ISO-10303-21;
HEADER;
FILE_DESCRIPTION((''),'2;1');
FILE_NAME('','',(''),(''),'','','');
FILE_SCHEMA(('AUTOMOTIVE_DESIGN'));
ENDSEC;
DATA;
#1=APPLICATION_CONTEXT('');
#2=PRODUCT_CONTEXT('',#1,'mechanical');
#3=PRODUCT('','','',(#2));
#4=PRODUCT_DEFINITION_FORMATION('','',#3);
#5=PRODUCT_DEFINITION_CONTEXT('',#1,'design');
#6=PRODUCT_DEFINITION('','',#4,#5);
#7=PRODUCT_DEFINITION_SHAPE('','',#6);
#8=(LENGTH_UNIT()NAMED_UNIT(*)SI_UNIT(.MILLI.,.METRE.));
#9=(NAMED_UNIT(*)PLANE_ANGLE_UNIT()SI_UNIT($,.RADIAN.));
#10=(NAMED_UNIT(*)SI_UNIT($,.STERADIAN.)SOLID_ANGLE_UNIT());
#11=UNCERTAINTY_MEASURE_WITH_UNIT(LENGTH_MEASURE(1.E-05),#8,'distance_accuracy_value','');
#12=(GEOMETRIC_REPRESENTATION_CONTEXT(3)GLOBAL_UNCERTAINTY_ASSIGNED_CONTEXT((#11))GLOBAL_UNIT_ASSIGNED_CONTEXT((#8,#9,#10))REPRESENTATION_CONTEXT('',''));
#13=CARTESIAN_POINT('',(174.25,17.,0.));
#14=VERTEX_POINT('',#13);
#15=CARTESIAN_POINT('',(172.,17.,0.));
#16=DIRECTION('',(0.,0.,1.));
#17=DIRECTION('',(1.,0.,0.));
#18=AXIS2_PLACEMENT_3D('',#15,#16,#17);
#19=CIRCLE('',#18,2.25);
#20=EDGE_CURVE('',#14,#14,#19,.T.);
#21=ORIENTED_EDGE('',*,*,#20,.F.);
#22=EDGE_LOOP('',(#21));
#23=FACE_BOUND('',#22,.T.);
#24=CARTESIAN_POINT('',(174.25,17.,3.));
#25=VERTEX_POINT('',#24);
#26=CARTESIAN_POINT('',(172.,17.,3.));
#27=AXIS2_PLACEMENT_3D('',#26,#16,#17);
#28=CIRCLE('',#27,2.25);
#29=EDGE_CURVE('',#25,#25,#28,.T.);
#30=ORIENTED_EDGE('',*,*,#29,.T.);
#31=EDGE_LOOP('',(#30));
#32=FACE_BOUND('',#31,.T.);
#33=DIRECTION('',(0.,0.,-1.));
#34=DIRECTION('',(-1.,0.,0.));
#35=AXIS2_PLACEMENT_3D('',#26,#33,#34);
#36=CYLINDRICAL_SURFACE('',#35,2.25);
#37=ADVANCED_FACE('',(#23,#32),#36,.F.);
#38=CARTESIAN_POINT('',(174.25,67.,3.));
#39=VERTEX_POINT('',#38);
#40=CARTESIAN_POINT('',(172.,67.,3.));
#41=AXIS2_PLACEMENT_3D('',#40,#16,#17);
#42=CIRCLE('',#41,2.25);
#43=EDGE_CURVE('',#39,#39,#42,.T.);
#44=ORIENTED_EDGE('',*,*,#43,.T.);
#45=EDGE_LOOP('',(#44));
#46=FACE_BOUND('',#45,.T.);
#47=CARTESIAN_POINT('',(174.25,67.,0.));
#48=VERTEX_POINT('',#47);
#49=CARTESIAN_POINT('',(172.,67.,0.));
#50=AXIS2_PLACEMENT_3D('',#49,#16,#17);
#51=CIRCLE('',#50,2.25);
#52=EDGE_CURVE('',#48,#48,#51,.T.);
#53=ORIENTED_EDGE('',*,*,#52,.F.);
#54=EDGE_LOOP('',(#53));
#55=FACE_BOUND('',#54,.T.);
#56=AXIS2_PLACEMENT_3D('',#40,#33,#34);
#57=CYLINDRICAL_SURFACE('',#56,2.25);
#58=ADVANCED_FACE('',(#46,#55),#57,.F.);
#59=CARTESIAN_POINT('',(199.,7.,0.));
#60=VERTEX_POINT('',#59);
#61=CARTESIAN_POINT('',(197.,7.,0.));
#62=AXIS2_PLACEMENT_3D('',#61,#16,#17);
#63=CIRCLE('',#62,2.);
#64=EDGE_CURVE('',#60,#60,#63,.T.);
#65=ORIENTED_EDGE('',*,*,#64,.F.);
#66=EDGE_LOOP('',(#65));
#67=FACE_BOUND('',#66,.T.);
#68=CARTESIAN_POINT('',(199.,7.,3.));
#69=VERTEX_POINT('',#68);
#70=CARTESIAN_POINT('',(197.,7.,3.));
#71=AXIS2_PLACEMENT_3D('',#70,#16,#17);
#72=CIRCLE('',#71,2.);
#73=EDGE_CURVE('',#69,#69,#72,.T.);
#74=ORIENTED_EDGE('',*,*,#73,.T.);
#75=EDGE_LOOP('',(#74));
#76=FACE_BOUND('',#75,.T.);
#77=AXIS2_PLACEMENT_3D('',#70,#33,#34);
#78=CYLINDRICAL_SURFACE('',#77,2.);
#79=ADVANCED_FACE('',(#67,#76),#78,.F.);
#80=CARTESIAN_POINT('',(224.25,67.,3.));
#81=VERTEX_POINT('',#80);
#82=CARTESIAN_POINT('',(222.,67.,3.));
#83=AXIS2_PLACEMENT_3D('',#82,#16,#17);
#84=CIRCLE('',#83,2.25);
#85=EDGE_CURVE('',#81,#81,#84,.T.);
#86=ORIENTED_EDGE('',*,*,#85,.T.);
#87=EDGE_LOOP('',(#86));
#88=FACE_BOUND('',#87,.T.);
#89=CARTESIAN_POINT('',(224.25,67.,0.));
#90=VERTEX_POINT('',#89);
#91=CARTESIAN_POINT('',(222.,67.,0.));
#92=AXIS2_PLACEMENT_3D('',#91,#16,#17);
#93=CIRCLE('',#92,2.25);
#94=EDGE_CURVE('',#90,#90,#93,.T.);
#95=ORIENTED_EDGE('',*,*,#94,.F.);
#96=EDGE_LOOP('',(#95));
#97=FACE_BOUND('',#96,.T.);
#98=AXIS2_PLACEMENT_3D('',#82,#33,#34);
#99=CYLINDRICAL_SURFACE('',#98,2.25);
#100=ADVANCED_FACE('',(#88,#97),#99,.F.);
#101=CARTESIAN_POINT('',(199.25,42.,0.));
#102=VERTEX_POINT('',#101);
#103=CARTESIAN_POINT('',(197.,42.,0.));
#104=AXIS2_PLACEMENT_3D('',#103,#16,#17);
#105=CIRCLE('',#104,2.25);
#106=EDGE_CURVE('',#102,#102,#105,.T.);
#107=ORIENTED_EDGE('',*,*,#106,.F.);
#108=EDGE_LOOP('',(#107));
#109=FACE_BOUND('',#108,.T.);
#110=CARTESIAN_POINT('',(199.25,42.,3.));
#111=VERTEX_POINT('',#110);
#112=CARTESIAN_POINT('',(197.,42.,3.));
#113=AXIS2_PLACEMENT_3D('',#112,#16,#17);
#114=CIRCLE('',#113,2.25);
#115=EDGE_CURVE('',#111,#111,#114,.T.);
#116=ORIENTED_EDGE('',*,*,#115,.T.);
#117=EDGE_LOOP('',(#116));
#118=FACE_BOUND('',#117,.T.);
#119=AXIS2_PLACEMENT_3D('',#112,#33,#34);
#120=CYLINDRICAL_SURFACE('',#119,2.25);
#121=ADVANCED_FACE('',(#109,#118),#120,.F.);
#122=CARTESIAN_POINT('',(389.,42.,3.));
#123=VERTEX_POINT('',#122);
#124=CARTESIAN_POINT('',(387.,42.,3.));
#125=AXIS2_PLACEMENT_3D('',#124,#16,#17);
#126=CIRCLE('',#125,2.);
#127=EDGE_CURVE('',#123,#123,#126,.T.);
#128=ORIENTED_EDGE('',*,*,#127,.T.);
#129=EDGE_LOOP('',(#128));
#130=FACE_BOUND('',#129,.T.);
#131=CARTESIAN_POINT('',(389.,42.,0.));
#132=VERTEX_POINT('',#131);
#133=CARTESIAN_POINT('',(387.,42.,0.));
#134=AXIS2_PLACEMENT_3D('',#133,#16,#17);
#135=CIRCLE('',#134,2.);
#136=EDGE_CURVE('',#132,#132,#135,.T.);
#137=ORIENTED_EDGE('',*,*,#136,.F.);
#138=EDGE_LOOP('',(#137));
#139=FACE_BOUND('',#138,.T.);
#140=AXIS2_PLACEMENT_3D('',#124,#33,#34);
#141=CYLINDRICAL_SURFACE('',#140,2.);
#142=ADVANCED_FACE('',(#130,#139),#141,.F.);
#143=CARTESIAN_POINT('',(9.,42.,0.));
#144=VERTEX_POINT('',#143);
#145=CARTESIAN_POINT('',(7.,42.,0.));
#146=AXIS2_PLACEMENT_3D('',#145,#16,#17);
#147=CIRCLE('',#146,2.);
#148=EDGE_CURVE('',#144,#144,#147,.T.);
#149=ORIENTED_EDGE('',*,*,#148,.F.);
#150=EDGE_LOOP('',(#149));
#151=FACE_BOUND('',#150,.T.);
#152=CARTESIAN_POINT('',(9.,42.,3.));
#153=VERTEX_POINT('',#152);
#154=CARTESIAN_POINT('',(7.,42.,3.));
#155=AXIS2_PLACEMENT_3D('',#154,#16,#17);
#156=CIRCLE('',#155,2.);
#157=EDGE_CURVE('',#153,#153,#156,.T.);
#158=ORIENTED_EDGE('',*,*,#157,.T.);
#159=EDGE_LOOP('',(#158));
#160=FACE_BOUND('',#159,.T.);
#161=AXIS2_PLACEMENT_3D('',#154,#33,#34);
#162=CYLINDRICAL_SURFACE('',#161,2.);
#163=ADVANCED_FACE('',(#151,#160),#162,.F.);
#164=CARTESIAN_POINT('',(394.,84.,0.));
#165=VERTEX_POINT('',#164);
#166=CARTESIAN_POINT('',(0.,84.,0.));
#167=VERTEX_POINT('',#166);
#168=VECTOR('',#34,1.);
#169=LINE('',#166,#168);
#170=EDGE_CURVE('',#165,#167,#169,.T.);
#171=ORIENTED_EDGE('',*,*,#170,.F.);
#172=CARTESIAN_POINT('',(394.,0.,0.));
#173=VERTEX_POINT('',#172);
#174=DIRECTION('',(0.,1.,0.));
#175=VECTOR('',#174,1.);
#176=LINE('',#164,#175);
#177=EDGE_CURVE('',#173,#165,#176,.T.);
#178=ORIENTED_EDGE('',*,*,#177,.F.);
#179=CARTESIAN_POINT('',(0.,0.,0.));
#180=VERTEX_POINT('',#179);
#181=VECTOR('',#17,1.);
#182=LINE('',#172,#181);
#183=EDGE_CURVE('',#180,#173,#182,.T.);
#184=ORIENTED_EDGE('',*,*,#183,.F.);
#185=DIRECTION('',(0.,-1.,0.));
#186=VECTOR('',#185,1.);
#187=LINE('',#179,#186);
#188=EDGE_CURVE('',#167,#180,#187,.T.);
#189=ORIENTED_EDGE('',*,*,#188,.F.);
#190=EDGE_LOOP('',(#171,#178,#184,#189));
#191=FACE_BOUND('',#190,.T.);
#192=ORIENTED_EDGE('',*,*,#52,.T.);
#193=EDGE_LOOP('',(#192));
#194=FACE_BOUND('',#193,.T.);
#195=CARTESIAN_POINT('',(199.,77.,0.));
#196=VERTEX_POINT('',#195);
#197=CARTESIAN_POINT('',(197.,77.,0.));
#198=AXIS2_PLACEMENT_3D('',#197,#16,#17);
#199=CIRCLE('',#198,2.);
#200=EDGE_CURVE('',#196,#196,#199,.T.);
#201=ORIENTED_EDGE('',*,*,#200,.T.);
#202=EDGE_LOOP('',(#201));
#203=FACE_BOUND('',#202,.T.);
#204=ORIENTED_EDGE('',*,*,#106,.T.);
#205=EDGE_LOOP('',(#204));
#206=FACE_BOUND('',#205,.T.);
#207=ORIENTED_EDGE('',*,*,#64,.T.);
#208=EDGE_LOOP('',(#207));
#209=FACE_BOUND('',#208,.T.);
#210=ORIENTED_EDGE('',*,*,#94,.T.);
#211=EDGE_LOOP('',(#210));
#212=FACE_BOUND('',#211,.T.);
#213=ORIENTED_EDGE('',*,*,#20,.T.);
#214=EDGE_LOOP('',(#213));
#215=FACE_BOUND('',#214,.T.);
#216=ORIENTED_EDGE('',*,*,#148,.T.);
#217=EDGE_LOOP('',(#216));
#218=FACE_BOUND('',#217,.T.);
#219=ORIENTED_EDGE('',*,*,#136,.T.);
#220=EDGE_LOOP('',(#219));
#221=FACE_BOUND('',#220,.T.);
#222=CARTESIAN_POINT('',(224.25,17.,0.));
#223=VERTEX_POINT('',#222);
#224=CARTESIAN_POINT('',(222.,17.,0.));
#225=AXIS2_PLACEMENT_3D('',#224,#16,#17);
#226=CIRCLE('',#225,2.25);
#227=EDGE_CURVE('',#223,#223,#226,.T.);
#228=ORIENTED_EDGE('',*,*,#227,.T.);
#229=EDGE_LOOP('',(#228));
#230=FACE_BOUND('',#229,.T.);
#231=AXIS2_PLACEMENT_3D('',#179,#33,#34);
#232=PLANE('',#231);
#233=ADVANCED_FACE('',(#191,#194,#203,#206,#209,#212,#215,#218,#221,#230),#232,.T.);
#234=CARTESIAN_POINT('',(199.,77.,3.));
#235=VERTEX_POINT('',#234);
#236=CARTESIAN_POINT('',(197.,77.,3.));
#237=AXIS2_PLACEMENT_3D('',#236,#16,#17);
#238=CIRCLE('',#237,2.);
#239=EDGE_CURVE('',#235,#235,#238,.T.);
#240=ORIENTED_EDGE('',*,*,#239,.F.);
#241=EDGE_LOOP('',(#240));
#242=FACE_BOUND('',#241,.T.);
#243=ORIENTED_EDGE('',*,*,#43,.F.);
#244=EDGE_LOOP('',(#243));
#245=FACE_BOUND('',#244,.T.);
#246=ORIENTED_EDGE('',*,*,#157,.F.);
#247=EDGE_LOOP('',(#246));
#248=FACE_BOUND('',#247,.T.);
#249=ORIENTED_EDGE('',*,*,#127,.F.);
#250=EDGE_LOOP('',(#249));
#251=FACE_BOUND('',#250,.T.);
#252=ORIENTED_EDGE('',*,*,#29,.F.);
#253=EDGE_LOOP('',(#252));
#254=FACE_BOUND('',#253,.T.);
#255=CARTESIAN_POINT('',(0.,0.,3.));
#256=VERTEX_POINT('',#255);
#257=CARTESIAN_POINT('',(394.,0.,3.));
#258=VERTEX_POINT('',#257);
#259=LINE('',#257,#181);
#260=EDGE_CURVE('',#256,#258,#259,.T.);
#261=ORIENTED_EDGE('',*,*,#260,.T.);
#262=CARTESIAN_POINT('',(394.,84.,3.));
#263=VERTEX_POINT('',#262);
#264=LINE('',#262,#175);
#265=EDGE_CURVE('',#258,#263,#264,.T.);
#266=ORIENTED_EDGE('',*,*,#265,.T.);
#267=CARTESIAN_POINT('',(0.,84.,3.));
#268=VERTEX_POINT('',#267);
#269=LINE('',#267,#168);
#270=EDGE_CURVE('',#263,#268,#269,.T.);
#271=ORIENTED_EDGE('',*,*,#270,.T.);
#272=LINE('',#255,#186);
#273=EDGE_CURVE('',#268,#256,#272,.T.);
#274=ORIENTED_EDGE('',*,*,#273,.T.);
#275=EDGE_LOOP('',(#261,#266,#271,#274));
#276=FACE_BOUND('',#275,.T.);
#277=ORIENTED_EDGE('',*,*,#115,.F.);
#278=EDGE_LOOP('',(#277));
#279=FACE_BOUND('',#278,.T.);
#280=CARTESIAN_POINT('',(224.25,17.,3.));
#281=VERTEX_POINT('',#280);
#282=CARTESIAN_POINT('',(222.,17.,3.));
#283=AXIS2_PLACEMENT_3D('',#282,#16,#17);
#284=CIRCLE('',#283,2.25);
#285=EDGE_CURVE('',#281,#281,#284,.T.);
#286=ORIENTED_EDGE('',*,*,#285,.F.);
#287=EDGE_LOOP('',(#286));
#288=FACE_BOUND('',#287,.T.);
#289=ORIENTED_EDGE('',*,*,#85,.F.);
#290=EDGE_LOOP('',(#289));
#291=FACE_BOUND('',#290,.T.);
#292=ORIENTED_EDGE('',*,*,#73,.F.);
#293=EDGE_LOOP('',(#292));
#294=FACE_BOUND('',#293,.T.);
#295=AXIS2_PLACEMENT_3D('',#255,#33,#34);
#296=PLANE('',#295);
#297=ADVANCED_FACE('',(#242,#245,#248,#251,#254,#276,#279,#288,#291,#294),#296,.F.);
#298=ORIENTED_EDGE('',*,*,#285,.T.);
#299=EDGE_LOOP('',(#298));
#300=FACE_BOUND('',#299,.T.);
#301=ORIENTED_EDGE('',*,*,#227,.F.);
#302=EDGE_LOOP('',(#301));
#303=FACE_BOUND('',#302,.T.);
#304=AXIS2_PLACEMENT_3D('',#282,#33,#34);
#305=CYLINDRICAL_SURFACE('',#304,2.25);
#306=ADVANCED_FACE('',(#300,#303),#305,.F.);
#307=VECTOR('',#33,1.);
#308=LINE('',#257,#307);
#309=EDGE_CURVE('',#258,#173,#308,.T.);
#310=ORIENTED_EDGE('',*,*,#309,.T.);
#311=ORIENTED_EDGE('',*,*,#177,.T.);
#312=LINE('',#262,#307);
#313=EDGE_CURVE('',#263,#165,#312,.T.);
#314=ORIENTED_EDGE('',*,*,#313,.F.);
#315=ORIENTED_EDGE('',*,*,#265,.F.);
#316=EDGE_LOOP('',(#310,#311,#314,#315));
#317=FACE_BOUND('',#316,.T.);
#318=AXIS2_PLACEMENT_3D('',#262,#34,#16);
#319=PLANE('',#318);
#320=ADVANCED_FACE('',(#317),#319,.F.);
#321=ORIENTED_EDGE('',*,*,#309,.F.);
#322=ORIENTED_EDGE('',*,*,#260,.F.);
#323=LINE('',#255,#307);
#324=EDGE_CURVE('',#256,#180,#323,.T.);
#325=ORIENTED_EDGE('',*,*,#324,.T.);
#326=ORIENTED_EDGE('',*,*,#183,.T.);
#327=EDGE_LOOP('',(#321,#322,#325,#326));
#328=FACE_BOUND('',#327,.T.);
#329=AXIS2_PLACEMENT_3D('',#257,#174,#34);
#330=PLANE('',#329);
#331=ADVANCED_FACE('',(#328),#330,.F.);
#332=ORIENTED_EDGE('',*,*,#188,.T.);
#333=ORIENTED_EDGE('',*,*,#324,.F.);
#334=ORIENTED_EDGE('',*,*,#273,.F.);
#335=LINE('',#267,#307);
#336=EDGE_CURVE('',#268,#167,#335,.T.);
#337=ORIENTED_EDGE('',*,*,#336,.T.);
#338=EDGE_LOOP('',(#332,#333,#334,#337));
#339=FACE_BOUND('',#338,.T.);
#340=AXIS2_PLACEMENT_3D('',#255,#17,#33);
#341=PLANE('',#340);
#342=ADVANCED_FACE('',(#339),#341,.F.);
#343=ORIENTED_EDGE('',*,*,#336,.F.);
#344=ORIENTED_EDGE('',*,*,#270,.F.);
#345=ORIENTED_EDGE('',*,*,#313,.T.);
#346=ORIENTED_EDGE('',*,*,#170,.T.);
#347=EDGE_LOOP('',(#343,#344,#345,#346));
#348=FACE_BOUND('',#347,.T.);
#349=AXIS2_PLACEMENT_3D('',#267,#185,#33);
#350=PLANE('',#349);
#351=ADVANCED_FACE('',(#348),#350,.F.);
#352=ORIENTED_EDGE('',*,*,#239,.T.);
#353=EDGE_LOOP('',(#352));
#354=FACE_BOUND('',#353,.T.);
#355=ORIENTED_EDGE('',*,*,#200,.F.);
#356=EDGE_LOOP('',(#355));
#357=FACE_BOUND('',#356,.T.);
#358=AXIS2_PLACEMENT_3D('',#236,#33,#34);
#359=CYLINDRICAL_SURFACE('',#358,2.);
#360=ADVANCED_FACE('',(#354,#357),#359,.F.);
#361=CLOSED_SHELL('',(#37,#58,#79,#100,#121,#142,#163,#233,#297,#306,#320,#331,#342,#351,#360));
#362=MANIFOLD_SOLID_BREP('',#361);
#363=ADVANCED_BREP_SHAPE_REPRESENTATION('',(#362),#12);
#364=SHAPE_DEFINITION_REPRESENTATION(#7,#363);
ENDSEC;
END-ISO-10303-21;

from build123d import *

# Parameters (mm, degrees)
SCHIZZO1_W                   = 394
SCHIZZO1_H                   = 84
SCHIZZO1_R                   = 2
SCHIZZO1_R_2                 = 2.25
ESTRUSIONE_ESTRUSIONE1_DEPTH = 3


with BuildPart() as part:
    # Schizzo1 → Estrusione-Estrusione1 (new body)
    with BuildSketch(Plane.XY):
        with Locations((197, 42)):
            Rectangle(SCHIZZO1_W, SCHIZZO1_H)
        with Locations((7, 42)):
            Circle(SCHIZZO1_R, mode=Mode.SUBTRACT)
        with Locations((197, 77)):
            Circle(SCHIZZO1_R, mode=Mode.SUBTRACT)
        with Locations((197, 7)):
            Circle(SCHIZZO1_R, mode=Mode.SUBTRACT)
        with Locations((387, 42)):
            Circle(SCHIZZO1_R, mode=Mode.SUBTRACT)
        with Locations((197, 42)):
            Circle(SCHIZZO1_R_2, mode=Mode.SUBTRACT)
        with Locations((172, 67)):
            Circle(SCHIZZO1_R_2, mode=Mode.SUBTRACT)
        with Locations((172, 17)):
            Circle(SCHIZZO1_R_2, mode=Mode.SUBTRACT)
        with Locations((222, 17)):
            Circle(SCHIZZO1_R_2, mode=Mode.SUBTRACT)
        with Locations((222, 67)):
            Circle(SCHIZZO1_R_2, mode=Mode.SUBTRACT)
    extrude(amount=ESTRUSIONE_ESTRUSIONE1_DEPTH)


solid = part.part
